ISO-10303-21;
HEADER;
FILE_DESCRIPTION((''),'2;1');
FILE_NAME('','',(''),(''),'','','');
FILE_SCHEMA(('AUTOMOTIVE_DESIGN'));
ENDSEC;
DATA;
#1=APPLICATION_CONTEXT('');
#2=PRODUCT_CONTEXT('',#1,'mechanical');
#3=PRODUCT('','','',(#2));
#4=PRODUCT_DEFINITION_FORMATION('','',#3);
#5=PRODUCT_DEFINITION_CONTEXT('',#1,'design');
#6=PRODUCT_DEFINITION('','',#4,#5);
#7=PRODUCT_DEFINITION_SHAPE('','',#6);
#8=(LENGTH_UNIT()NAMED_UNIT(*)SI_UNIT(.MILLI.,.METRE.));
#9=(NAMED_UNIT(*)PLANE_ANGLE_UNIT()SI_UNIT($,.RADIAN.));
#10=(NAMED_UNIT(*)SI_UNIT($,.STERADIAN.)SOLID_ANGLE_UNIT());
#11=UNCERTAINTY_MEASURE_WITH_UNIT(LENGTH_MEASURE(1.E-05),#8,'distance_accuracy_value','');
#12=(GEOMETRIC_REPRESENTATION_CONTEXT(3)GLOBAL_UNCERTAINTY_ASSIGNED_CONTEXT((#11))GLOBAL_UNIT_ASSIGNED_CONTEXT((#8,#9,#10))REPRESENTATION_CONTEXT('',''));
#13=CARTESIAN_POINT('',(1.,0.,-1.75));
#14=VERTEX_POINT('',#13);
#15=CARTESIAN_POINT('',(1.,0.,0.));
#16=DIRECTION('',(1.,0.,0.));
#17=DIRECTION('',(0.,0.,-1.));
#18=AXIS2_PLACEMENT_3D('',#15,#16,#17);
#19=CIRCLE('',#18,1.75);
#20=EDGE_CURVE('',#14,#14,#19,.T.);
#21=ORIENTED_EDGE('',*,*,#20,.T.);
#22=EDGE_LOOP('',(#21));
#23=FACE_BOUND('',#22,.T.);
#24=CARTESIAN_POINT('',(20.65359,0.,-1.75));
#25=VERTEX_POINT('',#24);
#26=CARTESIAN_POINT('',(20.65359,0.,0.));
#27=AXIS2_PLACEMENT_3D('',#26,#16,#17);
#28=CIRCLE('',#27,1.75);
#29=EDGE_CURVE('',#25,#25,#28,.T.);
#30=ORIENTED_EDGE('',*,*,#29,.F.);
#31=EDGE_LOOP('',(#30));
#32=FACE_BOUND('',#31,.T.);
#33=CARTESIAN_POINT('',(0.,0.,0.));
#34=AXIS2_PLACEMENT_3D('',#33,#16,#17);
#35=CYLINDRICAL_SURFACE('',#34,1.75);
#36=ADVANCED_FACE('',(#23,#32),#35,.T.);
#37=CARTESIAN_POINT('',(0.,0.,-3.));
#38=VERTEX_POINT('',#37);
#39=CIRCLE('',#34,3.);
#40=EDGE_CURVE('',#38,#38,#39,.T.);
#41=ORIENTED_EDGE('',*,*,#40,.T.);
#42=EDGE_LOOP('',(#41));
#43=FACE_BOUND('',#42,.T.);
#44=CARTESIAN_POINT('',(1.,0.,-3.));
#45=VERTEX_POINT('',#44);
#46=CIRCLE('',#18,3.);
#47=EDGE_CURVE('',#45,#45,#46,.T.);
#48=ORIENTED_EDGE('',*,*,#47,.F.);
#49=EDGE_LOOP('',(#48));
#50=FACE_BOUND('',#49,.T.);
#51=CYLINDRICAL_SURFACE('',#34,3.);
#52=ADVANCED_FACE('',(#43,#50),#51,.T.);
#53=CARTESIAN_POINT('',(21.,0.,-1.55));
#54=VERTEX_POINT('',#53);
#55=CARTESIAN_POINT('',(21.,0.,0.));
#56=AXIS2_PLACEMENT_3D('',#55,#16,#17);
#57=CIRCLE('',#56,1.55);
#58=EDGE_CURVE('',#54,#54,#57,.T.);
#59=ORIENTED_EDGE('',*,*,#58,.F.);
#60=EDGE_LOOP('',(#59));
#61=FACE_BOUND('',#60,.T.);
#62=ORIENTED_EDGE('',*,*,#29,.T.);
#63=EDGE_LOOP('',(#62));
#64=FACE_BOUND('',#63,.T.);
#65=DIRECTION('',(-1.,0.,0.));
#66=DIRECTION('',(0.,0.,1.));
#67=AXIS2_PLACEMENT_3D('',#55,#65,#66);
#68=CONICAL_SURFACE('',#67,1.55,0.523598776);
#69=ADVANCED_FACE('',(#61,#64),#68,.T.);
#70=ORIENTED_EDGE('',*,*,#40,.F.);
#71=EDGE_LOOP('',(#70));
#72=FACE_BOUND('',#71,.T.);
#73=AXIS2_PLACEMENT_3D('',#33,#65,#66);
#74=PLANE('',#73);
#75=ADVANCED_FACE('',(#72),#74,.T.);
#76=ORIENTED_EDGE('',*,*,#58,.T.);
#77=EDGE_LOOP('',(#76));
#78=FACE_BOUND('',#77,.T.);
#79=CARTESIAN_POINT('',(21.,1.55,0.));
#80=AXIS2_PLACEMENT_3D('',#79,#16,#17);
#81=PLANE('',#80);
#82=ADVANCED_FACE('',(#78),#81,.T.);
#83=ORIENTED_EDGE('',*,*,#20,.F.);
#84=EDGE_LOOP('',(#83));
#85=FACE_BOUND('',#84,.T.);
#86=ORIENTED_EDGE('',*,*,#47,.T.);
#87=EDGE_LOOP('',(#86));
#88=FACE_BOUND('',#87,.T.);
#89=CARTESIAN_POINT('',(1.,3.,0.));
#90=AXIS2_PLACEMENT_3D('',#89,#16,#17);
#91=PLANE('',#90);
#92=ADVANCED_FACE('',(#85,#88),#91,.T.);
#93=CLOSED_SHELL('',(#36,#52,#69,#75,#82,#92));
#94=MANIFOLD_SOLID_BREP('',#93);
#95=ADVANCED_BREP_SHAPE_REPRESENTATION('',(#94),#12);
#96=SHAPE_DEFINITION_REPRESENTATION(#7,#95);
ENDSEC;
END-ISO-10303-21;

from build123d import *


with BuildPart() as part:
    # Эскиз1 → Повернуть1 (revolve)
    with BuildSketch(Plane.XY, mode=Mode.PRIVATE) as revolve_1_sk:
        Polygon((0, 0), (0, 3), (1, 3), (1, 1.75), (20.653589838, 1.75), (21, 1.55), (21, 0), align=None)
    revolve(revolve_1_sk.sketch.rotate(Axis((0, 0, 0), (-1, 0, 0)), 90), axis=Axis((0, 0, 0), (-1, 0, 0)))


solid = part.part
